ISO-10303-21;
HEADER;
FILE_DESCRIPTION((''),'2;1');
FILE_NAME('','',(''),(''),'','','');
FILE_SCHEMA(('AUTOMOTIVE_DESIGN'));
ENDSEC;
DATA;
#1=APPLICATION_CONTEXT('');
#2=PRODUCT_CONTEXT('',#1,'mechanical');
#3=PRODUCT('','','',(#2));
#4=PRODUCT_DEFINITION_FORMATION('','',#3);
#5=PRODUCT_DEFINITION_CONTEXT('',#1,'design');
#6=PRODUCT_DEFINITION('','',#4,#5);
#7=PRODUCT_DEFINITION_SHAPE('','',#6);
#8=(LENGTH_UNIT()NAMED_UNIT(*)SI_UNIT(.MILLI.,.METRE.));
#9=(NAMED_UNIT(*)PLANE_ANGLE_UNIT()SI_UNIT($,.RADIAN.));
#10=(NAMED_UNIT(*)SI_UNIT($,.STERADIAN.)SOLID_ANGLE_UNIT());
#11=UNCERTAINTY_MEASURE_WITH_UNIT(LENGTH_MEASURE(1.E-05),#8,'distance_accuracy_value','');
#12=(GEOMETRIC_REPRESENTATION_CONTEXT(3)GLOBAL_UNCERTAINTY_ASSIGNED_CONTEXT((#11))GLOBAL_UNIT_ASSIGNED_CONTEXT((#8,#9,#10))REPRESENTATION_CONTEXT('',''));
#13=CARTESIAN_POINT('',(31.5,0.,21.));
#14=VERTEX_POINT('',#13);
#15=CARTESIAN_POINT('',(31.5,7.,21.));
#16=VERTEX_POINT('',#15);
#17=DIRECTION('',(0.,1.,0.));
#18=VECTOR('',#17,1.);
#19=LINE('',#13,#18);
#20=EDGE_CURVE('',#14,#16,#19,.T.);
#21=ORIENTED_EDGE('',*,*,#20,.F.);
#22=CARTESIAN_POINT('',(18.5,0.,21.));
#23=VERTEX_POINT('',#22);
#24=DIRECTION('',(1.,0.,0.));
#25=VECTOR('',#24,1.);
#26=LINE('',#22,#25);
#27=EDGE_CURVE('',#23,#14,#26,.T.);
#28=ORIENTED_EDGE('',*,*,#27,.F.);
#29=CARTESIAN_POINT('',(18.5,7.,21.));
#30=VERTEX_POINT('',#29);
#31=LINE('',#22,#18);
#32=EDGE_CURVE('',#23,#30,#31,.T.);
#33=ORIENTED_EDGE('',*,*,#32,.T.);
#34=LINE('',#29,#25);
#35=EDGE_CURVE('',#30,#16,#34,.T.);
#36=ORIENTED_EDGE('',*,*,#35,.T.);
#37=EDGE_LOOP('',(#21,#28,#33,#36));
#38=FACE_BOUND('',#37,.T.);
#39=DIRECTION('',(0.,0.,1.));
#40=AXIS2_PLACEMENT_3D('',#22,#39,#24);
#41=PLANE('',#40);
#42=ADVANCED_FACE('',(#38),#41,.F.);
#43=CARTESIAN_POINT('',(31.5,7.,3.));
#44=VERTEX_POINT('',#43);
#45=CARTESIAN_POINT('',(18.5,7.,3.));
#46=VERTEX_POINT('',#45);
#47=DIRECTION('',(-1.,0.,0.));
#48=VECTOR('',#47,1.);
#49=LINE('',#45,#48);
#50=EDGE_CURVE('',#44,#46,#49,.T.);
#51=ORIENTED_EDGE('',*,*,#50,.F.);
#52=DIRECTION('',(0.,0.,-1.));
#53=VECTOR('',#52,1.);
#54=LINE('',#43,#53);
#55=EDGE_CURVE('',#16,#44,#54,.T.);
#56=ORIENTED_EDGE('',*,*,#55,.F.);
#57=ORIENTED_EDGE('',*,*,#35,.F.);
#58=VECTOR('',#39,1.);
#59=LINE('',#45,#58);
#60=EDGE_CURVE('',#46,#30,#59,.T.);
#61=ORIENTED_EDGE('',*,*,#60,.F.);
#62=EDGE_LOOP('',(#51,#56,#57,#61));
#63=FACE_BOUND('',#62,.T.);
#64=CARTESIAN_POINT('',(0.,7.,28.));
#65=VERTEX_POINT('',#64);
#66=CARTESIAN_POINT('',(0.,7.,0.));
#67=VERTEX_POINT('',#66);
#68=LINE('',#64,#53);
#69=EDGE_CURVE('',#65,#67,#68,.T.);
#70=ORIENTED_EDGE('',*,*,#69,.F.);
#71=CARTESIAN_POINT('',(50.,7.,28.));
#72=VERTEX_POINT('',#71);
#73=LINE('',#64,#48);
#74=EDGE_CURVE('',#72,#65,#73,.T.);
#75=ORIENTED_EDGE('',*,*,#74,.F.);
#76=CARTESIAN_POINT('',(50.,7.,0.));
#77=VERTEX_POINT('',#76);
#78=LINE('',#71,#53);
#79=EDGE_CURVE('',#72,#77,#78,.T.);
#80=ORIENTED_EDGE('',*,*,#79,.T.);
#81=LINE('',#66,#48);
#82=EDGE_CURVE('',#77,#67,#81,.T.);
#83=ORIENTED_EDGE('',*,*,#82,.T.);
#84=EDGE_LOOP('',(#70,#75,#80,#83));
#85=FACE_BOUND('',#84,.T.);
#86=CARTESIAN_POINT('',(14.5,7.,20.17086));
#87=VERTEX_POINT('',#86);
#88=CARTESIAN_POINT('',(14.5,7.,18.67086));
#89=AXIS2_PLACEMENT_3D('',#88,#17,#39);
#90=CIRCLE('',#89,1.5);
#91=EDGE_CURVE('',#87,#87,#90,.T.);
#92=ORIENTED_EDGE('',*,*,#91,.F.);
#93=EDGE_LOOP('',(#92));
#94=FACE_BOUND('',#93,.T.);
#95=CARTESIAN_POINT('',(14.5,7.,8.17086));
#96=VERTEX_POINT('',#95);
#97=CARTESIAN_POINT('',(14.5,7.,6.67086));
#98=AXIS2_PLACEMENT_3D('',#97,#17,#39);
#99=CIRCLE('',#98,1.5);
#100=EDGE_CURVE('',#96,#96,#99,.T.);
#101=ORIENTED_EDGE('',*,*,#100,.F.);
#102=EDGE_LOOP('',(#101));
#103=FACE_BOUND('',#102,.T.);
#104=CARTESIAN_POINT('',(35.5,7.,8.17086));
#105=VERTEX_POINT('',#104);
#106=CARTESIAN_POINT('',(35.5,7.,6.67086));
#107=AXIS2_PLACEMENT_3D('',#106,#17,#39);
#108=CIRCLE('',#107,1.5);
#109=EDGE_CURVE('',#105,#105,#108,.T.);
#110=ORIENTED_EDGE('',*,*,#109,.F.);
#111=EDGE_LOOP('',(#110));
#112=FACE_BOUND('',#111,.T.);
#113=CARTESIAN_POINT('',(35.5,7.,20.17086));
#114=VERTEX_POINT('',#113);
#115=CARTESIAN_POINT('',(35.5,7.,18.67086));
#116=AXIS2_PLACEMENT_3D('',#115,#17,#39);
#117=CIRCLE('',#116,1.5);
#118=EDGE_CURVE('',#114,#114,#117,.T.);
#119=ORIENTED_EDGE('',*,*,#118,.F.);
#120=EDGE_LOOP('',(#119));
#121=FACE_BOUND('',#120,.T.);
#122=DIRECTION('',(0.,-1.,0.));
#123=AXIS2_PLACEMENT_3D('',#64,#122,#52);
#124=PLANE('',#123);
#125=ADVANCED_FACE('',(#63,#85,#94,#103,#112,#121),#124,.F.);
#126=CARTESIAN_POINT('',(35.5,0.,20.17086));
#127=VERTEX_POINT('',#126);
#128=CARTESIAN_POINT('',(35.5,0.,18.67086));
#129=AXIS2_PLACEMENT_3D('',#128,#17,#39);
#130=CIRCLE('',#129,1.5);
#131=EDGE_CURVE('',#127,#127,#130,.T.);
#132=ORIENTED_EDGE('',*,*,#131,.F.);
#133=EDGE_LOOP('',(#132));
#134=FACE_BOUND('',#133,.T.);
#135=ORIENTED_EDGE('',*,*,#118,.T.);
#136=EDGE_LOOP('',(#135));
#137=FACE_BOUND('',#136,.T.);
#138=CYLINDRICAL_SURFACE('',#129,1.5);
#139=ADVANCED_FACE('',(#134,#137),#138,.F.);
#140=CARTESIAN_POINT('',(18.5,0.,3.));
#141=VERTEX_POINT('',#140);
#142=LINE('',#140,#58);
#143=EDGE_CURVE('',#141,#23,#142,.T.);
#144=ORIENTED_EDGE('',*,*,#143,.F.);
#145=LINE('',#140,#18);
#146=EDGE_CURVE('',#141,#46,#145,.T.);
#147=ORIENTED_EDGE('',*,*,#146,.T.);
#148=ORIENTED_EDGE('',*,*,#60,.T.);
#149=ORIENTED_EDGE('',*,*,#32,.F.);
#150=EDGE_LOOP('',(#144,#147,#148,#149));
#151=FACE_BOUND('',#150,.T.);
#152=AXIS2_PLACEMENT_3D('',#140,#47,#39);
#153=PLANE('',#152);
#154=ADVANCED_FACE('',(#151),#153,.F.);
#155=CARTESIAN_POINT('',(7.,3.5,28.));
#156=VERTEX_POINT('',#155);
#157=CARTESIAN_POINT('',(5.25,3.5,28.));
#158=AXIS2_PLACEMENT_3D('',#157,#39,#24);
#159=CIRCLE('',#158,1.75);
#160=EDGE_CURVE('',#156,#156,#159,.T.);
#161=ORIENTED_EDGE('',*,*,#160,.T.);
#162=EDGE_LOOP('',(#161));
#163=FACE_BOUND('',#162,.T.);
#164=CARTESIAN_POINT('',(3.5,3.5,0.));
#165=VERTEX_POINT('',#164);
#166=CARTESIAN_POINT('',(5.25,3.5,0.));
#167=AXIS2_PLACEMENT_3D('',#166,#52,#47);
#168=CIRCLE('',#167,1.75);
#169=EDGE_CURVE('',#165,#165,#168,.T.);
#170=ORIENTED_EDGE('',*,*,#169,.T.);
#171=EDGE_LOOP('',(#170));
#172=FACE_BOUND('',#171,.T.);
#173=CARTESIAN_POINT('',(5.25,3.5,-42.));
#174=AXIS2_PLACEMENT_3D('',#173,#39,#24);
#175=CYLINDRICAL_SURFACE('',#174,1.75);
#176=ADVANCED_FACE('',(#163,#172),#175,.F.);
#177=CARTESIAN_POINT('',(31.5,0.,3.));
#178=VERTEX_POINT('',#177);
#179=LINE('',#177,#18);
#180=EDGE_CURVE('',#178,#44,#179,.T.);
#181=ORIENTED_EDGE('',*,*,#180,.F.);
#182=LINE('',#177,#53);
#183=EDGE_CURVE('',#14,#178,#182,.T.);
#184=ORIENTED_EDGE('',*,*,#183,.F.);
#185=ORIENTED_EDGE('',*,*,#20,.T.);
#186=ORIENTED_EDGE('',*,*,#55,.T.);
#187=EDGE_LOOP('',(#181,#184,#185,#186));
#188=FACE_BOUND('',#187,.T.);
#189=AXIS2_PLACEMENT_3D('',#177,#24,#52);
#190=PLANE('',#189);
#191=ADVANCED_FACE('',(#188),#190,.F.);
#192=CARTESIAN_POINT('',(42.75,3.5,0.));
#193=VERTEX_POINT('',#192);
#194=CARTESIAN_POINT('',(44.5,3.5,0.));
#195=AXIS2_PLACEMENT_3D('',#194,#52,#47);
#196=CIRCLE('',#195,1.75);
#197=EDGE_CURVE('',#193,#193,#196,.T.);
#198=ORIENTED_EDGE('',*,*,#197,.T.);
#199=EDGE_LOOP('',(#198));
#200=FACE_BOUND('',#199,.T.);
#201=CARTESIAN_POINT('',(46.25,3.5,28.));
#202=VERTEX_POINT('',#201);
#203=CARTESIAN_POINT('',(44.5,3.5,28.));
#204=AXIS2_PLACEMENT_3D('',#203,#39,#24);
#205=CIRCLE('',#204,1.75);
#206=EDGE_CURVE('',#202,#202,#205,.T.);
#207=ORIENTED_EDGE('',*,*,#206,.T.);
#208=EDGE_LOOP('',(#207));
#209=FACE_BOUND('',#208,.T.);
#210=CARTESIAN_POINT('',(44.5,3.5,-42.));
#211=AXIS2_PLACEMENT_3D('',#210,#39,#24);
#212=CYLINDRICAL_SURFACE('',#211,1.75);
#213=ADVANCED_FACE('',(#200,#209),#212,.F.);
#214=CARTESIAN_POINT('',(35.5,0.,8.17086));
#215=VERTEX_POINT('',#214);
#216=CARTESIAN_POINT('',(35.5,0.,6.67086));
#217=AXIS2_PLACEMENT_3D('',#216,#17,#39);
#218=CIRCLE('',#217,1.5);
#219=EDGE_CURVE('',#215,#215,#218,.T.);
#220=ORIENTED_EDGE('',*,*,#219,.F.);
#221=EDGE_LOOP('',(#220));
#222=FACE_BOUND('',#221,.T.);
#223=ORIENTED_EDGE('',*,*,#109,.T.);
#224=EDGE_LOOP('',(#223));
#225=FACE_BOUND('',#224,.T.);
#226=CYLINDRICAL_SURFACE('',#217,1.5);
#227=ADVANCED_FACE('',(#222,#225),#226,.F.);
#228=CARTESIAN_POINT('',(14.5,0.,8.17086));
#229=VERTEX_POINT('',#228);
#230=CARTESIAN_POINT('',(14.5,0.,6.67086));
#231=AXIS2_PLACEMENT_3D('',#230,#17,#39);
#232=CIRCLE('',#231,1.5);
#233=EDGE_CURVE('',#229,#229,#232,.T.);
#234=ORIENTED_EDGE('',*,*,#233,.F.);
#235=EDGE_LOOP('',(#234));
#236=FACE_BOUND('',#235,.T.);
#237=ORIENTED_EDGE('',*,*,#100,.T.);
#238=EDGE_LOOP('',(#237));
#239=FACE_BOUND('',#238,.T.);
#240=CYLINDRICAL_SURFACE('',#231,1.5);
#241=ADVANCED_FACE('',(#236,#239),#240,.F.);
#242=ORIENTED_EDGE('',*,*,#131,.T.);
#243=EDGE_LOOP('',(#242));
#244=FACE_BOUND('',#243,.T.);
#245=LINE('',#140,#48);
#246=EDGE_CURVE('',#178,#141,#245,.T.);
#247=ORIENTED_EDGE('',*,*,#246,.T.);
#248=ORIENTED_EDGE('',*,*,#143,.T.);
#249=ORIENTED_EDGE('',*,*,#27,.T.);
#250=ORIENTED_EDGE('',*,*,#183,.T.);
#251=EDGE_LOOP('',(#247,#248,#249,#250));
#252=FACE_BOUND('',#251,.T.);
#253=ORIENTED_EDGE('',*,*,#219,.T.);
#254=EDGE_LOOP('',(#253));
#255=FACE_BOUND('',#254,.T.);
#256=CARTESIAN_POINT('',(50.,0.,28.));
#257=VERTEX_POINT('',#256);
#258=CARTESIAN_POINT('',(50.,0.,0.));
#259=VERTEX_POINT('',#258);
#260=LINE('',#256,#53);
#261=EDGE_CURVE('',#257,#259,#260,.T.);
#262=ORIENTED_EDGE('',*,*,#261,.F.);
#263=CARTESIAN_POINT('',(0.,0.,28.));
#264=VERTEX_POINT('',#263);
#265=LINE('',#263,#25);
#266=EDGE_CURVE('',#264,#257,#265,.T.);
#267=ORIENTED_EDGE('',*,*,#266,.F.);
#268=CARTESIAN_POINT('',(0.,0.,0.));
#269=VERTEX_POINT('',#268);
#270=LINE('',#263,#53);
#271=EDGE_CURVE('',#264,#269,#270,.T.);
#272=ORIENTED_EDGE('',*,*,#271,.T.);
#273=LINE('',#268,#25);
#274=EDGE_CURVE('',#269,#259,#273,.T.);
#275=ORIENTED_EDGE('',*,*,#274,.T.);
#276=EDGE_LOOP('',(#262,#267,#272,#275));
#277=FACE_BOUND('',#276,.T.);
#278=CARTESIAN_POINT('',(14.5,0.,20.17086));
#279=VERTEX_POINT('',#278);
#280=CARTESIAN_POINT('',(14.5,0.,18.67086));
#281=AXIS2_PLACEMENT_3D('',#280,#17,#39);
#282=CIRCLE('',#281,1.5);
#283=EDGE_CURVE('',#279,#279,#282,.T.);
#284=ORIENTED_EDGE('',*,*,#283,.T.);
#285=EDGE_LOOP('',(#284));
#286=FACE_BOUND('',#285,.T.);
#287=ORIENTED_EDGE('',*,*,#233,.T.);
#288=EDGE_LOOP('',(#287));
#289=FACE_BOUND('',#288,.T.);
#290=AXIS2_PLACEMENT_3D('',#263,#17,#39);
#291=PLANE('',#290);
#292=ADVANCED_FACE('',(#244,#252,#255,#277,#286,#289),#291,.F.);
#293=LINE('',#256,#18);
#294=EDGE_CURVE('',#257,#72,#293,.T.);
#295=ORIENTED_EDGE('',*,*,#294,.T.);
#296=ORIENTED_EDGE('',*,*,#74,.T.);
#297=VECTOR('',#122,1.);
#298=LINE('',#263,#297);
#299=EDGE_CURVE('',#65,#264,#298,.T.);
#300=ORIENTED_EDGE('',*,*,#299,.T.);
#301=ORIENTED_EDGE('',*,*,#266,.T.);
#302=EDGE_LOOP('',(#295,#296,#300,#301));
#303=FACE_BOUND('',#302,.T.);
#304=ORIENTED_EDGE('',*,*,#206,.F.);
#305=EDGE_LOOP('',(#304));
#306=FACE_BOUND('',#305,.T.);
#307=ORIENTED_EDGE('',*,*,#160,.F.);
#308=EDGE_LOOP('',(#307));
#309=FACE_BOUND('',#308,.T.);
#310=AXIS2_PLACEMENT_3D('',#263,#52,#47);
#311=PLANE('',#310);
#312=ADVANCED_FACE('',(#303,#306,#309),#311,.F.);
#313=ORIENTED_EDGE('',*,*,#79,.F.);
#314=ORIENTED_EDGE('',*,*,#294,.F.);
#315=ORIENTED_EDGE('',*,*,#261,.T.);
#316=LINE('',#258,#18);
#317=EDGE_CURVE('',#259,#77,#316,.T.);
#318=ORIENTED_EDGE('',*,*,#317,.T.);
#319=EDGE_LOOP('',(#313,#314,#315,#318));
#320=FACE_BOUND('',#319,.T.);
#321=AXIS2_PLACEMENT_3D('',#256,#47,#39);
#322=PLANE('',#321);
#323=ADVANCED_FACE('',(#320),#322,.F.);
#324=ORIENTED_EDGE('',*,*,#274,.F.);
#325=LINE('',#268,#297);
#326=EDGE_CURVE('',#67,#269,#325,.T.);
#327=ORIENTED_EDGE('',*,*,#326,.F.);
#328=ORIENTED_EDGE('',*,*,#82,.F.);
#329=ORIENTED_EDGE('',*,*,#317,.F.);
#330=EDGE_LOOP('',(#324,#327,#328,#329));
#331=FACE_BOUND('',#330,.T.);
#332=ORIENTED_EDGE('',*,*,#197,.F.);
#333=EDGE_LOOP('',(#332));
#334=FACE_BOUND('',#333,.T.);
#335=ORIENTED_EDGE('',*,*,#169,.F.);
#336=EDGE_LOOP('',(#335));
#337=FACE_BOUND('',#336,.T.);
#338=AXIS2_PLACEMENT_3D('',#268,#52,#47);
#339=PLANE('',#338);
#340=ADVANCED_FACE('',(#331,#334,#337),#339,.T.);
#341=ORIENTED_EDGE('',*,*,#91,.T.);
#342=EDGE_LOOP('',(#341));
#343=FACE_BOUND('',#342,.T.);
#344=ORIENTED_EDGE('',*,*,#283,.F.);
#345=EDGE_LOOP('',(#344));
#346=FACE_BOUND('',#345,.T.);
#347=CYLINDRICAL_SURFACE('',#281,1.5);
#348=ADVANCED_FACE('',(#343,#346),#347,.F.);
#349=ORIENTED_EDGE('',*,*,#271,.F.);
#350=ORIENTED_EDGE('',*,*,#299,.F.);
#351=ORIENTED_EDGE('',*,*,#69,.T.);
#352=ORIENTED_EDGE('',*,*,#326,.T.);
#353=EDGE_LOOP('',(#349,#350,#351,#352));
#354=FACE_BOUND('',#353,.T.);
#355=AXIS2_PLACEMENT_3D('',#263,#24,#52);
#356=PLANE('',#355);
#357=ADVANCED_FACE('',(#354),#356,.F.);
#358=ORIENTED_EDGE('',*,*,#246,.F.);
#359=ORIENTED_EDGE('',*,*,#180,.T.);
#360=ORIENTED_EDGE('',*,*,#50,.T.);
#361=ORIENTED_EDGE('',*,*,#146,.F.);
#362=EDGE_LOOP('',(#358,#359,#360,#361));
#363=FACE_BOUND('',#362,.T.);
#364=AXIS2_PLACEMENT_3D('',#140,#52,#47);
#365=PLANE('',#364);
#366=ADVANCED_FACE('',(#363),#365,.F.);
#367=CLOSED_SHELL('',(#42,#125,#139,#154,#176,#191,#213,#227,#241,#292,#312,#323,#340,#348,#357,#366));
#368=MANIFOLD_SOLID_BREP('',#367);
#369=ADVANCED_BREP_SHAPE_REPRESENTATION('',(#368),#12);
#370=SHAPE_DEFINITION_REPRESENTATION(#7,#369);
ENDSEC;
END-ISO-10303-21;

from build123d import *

# Parameters (mm, degrees)
ESQUISSE1_W             = 50
ESQUISSE1_H             = 7
BOSS_EXTRU_1_DEPTH      = 28
ESQUISSE2_R             = 1.75
ENL_V_MAT_EXTRU_2_DEPTH = 70
ESQUISSE3_R             = 1.5
ESQUISSE3_W             = 13
ESQUISSE3_H             = 18
ENL_V_MAT_EXTRU_3_DEPTH = 58.732140095


with BuildPart() as part:
    # Esquisse1 → Boss.-Extru.1 (new body)
    with BuildSketch(Plane.XY):
        with Locations((25, 3.5)):
            Rectangle(ESQUISSE1_W, ESQUISSE1_H)
    extrude(amount=BOSS_EXTRU_1_DEPTH)

    # Esquisse2 → Enlèv. mat.-Extru.2 (cut)
    with BuildSketch(Plane.XY.offset(28)):
        with Locations((5.25, 3.5)):
            Circle(ESQUISSE2_R)
        with Locations((44.5, 3.5)):
            Circle(ESQUISSE2_R)
    extrude(amount=-ENL_V_MAT_EXTRU_2_DEPTH, mode=Mode.SUBTRACT)

    # Esquisse3 → Enlèv. mat.-Extru.3 (cut, through all)
    with BuildSketch(Plane(origin=(0, 7, 0), x_dir=(1, 0, 0), z_dir=(0, 1, 0))):
        with Locations(Location((14.5, -6.67085961, 0), (0, 0, 270))):
            Circle(ESQUISSE3_R)
        with Locations(Location((14.5, -18.67085961, 0), (0, 0, 270))):
            Circle(ESQUISSE3_R)
        with Locations(Location((35.5, -6.67085961, 0), (0, 0, 270))):
            Circle(ESQUISSE3_R)
        with Locations(Location((35.5, -18.67085961, 0), (0, 0, 270))):
            Circle(ESQUISSE3_R)
        with Locations((25, -12)):
            Rectangle(ESQUISSE3_W, ESQUISSE3_H)
    extrude(amount=-ENL_V_MAT_EXTRU_3_DEPTH, mode=Mode.SUBTRACT)


solid = part.part
